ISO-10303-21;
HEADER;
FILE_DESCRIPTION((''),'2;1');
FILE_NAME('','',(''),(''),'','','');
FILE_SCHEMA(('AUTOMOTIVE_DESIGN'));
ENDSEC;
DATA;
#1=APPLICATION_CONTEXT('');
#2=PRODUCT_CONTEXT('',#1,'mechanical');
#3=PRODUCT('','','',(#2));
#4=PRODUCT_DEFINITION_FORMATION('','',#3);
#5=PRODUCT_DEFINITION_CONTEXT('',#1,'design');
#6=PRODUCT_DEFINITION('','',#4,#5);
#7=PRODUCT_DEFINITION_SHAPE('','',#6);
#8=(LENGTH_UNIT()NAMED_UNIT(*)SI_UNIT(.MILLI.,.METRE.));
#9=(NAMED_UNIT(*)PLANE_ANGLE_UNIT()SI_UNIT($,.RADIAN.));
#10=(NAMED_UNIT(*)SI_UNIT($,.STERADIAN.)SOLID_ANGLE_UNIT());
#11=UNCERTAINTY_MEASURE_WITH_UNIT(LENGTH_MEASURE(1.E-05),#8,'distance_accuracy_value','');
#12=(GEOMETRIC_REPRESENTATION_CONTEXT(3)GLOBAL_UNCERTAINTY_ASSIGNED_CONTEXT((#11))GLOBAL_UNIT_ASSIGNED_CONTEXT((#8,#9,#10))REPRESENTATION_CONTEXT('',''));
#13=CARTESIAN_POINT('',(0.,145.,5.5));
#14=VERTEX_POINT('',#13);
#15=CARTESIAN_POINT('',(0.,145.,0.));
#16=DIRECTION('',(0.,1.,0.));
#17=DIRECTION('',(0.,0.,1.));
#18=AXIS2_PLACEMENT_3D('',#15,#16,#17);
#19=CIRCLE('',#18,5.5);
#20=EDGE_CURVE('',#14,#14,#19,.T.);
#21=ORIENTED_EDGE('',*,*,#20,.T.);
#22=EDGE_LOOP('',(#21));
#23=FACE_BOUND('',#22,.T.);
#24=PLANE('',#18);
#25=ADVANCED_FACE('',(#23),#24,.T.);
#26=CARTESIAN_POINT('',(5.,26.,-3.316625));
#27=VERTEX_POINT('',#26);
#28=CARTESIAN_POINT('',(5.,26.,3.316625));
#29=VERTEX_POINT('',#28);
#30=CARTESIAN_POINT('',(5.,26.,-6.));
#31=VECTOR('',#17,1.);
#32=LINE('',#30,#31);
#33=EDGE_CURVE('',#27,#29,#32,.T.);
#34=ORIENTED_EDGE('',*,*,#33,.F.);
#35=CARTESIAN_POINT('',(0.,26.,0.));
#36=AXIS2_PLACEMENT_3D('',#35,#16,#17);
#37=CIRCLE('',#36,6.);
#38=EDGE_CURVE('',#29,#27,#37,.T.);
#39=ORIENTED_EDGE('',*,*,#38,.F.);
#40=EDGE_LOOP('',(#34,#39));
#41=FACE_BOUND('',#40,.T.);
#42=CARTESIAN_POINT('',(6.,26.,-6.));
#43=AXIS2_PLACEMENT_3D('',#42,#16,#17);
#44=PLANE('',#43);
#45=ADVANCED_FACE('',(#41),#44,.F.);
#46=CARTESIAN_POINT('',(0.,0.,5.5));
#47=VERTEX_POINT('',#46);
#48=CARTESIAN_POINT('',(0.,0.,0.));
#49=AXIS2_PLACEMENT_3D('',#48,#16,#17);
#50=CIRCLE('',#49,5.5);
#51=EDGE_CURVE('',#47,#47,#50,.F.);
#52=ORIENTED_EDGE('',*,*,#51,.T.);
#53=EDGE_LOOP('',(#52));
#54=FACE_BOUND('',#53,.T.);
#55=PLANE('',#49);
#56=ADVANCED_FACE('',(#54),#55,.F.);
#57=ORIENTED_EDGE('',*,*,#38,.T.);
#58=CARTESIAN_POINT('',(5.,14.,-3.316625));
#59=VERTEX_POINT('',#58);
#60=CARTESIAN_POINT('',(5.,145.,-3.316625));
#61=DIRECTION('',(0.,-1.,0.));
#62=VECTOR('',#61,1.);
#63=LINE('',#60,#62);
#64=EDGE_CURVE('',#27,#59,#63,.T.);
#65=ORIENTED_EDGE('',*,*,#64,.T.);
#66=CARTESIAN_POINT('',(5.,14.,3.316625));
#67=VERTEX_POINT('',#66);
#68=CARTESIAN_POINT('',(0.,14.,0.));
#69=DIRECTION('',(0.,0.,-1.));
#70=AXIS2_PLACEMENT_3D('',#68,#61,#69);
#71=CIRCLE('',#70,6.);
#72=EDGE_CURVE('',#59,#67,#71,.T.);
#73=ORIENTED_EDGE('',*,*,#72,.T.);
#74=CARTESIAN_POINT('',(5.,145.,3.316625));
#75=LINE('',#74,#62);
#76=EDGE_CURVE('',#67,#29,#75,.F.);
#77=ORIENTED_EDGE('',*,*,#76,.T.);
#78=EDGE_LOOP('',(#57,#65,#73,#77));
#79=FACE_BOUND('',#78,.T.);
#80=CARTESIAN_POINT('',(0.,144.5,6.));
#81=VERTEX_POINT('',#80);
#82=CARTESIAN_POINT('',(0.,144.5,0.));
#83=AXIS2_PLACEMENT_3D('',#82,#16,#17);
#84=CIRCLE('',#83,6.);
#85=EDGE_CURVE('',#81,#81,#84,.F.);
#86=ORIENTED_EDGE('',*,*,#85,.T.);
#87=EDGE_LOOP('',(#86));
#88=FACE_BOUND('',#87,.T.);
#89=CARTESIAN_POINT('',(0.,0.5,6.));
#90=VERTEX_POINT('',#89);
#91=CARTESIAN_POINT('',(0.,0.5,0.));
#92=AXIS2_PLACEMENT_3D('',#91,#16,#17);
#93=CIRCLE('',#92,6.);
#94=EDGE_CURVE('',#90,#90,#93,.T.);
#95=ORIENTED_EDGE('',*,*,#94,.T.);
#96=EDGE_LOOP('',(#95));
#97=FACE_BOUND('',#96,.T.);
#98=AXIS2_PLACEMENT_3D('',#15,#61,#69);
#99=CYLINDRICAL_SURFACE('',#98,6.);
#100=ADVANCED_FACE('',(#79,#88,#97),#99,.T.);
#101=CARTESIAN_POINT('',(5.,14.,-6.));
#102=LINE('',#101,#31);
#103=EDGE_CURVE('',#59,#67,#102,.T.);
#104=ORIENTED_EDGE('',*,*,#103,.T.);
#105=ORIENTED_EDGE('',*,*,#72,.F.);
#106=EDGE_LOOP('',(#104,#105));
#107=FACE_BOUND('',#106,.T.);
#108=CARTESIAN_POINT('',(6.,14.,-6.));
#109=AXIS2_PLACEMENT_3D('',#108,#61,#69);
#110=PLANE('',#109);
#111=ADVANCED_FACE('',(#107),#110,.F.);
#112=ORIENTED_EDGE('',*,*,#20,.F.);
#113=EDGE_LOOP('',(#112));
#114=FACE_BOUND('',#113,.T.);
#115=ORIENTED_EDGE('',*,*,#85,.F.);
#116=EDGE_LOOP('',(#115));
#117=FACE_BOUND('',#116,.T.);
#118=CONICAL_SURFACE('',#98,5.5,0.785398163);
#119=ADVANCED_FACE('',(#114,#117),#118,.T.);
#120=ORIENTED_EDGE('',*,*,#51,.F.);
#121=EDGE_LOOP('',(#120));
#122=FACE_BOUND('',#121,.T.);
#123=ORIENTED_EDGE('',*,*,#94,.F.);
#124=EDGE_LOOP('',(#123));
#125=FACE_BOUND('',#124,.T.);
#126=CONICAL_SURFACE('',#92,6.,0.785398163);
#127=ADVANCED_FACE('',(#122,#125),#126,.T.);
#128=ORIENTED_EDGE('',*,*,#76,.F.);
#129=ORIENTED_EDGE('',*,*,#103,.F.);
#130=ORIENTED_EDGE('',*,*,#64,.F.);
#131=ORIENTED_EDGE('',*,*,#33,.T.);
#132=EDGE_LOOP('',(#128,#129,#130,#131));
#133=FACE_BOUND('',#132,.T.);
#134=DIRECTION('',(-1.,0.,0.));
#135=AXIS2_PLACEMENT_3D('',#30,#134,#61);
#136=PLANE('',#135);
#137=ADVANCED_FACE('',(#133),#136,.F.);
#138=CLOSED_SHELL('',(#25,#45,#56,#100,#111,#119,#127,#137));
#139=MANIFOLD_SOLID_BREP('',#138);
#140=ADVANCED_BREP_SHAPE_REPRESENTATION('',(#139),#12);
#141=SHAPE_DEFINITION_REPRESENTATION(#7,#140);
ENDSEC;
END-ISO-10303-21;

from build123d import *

# Parameters (mm, degrees)
SKETCH1_R               = 6
BOSS_EXTRUDE1_DEPTH     = 145
CHAMFER1_SIZE           = 0.5
CUT_EXTRUDE1_DEPTH      = 146.24806367
CUT_EXTRUDE1_DEPTH_BACK = 146.24806367
SKETCH2_W               = 1
SKETCH2_H               = 12


with BuildPart() as part:
    # Sketch1 → Boss-Extrude1 (new body)
    with BuildSketch(Plane(origin=(0, 0, 0), x_dir=(1, 0, 0), z_dir=(0, 1, 0))):
        with Locations(Location((0, 0, 0), (0, 0, 270))):
            Circle(SKETCH1_R)
    extrude(amount=BOSS_EXTRUDE1_DEPTH)

    # Chamfer1
    chamfer1_edges = [part.edges().sort_by_distance(p)[0] for p in [
        (0, 0, -6),
        (0, 145, -6),
    ]]
    chamfer(chamfer1_edges, length=CHAMFER1_SIZE)

    # Sketch2 → Cut-Extrude1 (cut, two sides: drawn at the far end of the back side and taken through both)
    with BuildSketch(Plane.XY.offset(-CUT_EXTRUDE1_DEPTH_BACK)):
        with Locations((5.5, 20)):
            Rectangle(SKETCH2_W, SKETCH2_H)
    extrude(amount=CUT_EXTRUDE1_DEPTH + CUT_EXTRUDE1_DEPTH_BACK, mode=Mode.SUBTRACT)


solid = part.part
